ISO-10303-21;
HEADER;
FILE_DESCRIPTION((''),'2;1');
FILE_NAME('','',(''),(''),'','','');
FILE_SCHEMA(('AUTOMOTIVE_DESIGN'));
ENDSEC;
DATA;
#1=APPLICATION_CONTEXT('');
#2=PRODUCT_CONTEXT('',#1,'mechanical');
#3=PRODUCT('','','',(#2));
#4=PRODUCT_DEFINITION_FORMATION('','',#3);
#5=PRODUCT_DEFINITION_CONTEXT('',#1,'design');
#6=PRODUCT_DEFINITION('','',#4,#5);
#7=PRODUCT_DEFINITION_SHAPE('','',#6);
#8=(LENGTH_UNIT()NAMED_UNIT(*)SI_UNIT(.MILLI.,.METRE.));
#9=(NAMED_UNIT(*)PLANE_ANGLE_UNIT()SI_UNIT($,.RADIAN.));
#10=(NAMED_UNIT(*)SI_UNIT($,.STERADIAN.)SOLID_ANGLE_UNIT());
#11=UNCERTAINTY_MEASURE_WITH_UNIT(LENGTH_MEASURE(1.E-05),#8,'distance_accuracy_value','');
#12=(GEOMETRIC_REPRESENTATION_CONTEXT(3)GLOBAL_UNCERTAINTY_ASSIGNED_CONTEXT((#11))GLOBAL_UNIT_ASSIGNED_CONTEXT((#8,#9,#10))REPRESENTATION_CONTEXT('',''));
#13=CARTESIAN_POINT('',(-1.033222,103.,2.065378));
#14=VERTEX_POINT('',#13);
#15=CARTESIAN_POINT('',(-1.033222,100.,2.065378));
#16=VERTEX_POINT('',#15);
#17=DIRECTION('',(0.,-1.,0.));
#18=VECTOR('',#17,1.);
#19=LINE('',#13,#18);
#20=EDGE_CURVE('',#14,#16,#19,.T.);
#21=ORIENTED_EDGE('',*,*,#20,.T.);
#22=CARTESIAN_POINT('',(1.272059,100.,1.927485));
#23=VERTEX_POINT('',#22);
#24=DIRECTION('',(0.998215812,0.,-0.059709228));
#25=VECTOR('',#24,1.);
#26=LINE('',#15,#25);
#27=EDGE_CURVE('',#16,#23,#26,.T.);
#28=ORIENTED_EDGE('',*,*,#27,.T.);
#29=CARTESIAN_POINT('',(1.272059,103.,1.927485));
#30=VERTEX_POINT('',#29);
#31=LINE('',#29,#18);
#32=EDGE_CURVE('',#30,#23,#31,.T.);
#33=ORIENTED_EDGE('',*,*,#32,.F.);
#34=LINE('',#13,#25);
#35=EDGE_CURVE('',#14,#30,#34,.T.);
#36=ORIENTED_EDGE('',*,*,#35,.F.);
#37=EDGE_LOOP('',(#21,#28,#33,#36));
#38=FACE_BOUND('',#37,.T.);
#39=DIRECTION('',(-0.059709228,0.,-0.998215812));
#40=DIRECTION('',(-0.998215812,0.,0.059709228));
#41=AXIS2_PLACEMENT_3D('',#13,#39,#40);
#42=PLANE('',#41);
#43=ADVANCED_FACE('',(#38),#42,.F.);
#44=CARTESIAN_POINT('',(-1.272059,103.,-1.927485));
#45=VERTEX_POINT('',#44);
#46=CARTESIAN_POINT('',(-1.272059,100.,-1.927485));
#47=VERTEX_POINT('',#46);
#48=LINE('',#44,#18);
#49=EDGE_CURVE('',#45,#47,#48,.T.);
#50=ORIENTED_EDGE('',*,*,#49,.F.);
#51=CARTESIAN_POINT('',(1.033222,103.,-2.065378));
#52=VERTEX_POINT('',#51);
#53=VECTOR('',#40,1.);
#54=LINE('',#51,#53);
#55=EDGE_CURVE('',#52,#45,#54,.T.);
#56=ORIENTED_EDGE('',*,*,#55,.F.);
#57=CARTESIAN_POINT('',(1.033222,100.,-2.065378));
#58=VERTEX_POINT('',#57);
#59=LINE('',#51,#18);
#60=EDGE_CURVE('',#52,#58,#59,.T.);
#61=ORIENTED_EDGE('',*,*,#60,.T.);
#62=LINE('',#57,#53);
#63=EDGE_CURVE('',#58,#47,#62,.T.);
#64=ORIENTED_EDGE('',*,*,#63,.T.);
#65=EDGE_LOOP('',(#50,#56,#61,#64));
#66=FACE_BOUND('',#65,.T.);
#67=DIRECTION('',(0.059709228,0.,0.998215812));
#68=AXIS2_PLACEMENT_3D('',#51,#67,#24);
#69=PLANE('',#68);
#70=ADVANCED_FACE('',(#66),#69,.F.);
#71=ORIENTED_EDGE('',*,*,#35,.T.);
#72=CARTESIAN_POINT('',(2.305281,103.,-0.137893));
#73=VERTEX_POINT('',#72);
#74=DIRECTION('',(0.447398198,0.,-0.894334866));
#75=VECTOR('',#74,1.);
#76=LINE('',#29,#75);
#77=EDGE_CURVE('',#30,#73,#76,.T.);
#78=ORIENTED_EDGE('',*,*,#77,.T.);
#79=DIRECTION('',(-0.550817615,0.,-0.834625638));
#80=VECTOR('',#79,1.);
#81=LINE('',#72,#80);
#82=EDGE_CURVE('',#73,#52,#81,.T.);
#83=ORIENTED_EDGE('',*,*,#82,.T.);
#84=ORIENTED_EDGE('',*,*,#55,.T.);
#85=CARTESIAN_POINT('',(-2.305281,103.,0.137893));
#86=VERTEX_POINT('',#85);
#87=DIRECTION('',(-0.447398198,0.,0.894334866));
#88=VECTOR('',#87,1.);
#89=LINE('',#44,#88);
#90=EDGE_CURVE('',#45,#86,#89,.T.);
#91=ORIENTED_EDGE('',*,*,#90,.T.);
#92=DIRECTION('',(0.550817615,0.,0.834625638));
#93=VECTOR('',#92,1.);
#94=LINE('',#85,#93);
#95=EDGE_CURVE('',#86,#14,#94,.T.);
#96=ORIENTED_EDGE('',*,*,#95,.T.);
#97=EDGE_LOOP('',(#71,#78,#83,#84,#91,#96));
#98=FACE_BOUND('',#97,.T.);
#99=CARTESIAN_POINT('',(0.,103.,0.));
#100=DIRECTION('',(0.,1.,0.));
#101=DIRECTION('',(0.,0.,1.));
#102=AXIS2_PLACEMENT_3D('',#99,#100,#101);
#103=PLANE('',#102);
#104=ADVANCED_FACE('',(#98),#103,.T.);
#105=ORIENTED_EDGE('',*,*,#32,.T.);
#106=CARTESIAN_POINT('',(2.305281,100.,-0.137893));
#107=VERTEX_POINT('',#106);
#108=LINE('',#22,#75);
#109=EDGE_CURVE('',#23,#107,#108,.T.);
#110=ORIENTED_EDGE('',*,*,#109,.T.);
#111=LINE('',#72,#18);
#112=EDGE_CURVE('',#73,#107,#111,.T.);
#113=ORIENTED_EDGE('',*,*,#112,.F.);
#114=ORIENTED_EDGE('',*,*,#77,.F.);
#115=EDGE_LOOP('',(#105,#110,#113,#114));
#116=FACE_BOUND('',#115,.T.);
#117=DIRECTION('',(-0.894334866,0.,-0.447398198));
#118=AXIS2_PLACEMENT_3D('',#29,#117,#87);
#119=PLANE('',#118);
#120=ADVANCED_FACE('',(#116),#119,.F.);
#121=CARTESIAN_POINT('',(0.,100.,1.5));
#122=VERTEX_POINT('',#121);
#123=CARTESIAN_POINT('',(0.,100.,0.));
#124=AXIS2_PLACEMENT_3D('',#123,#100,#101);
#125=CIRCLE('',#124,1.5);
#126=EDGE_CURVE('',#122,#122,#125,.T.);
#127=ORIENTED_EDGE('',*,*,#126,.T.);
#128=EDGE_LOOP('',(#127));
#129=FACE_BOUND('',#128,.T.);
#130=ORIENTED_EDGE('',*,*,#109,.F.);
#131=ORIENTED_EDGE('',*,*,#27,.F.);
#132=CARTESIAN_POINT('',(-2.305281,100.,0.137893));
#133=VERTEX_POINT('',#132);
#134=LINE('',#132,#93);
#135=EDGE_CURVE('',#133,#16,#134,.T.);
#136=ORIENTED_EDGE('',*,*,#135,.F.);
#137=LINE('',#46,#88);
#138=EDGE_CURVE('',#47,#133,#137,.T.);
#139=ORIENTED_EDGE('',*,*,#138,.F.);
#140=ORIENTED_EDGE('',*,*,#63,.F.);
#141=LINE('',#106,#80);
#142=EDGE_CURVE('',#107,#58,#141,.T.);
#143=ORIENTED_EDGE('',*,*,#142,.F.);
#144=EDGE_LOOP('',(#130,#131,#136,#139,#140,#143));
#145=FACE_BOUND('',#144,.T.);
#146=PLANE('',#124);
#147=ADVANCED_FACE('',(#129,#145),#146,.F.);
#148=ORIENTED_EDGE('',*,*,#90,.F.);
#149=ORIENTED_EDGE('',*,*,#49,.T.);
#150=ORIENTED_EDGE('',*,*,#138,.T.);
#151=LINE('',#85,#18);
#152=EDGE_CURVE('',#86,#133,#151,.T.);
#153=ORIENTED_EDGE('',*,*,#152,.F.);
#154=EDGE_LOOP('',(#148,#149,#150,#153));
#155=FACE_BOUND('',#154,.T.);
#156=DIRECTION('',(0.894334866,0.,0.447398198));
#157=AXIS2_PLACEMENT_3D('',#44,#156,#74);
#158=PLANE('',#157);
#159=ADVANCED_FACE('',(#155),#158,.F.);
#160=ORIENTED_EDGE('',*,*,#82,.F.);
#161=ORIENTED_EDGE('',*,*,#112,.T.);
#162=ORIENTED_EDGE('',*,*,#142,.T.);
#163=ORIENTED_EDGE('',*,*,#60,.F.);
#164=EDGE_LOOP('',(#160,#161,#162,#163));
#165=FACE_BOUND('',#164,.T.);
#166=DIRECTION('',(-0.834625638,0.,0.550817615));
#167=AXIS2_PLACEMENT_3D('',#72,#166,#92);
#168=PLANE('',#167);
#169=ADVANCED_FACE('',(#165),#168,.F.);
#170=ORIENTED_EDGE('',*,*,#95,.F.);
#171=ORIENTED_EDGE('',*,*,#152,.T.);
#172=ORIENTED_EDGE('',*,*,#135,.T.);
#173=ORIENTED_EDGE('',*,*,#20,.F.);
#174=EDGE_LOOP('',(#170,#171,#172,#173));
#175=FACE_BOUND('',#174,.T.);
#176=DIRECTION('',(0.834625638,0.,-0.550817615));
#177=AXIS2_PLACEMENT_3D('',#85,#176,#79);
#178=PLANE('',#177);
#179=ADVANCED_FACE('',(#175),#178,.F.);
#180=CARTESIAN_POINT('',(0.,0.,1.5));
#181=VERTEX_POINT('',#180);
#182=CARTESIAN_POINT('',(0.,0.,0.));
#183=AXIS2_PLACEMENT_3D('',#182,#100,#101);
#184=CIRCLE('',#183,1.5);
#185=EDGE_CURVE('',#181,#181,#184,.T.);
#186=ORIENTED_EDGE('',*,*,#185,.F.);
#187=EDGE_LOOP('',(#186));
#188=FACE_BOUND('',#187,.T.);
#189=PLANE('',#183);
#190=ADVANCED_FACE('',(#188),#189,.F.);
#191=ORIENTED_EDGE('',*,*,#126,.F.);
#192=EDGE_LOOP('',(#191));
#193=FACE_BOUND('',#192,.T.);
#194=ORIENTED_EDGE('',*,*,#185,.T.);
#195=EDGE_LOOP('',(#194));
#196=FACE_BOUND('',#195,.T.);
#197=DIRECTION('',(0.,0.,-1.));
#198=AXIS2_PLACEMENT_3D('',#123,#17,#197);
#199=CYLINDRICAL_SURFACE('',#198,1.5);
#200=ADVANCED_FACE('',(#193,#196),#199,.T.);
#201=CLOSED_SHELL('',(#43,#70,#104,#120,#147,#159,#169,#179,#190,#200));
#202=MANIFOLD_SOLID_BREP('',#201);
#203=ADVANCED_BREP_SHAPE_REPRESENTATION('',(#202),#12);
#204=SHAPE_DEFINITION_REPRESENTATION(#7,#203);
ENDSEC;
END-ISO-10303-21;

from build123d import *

# Parameters (mm, degrees)
SKETCH2_R           = 1.5
BOSS_EXTRUDE1_DEPTH = 100
BOSS_EXTRUDE2_DEPTH = 3


with BuildPart() as part:
    # Sketch2 → Boss-Extrude1 (new body)
    with BuildSketch(Plane(origin=(0, 0, 0), x_dir=(1, 0, 0), z_dir=(0, 1, 0))):
        Circle(SKETCH2_R)
    extrude(amount=BOSS_EXTRUDE1_DEPTH)

    # Sketch3 → Boss-Extrude2 (add)
    with BuildSketch(Plane(origin=(0, 100, 0), x_dir=(1, 0, 0), z_dir=(0, 1, 0))):
        Polygon((-2.305280672, -0.137892556), (-1.03322188, -2.065377903), (1.272058792, -1.927485347), (2.305280672, 0.137892556), (1.03322188, 2.065377903), (-1.272058792, 1.927485347), align=None)
    extrude(amount=BOSS_EXTRUDE2_DEPTH)


solid = part.part
